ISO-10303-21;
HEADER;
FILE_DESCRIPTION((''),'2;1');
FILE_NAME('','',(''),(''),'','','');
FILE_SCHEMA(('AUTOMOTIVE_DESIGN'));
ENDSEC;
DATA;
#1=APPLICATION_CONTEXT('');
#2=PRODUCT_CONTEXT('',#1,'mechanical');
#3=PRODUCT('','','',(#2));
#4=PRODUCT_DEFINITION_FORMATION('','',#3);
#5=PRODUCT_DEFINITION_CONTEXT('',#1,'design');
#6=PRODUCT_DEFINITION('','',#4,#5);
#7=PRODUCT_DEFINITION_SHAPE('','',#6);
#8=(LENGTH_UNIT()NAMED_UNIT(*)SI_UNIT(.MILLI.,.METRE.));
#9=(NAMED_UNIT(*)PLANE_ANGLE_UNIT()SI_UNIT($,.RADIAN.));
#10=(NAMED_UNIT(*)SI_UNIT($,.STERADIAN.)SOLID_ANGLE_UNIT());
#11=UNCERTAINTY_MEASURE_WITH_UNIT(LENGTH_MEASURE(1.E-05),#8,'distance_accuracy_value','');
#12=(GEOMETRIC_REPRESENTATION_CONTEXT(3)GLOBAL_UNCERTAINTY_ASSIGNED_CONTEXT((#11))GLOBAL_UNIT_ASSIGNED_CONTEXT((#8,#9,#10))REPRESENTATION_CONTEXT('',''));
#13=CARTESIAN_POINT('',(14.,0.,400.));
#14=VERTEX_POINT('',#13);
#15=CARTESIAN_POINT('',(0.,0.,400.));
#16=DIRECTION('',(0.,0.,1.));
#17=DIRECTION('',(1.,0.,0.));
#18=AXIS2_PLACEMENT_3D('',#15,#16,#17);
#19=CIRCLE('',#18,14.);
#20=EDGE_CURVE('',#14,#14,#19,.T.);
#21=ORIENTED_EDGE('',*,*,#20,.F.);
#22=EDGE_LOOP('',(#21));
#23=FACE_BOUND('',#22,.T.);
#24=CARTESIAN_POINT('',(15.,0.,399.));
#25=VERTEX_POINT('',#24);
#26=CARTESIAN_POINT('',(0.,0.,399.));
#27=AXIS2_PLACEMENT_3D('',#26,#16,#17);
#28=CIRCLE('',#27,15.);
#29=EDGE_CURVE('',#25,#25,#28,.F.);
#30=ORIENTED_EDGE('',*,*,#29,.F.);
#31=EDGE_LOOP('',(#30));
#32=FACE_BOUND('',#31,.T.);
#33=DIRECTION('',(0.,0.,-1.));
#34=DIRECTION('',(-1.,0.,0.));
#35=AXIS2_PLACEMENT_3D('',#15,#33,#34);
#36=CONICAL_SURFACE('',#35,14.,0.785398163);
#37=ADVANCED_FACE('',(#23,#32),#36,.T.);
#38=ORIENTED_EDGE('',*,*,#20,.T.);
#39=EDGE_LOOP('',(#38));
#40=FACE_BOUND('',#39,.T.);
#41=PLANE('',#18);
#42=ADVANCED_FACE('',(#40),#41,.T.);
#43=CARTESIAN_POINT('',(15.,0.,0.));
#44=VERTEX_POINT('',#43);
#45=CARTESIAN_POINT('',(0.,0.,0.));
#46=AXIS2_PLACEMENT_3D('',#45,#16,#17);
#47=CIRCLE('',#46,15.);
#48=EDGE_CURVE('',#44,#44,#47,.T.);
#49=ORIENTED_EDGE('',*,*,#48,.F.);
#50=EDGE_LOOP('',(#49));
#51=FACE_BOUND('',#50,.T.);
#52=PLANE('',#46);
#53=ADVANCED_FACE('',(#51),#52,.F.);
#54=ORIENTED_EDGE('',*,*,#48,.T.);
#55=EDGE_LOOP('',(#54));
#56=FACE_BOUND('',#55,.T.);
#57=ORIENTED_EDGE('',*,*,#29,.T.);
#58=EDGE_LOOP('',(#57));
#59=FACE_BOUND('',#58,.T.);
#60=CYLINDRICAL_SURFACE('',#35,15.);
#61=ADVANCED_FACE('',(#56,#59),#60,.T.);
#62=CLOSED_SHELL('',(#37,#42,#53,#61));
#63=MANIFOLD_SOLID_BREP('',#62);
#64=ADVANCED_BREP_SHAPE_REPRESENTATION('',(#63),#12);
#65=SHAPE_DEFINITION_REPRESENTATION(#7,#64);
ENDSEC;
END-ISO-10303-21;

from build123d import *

# Parameters (mm, degrees)
ESQUISSE1_R          = 15
BASE_EXTRUSION_DEPTH = 400
CHANFREIN1_SIZE      = 1


with BuildPart() as part:
    # Esquisse1 → Base-Extrusion (new body)
    with BuildSketch(Plane.XY):
        Circle(ESQUISSE1_R)
    extrude(amount=BASE_EXTRUSION_DEPTH)

    # Chanfrein1
    chanfrein1_edges = [part.edges().sort_by_distance(p)[0] for p in [
        (-15, 0, 400),
    ]]
    chamfer(chanfrein1_edges, length=CHANFREIN1_SIZE)


solid = part.part
